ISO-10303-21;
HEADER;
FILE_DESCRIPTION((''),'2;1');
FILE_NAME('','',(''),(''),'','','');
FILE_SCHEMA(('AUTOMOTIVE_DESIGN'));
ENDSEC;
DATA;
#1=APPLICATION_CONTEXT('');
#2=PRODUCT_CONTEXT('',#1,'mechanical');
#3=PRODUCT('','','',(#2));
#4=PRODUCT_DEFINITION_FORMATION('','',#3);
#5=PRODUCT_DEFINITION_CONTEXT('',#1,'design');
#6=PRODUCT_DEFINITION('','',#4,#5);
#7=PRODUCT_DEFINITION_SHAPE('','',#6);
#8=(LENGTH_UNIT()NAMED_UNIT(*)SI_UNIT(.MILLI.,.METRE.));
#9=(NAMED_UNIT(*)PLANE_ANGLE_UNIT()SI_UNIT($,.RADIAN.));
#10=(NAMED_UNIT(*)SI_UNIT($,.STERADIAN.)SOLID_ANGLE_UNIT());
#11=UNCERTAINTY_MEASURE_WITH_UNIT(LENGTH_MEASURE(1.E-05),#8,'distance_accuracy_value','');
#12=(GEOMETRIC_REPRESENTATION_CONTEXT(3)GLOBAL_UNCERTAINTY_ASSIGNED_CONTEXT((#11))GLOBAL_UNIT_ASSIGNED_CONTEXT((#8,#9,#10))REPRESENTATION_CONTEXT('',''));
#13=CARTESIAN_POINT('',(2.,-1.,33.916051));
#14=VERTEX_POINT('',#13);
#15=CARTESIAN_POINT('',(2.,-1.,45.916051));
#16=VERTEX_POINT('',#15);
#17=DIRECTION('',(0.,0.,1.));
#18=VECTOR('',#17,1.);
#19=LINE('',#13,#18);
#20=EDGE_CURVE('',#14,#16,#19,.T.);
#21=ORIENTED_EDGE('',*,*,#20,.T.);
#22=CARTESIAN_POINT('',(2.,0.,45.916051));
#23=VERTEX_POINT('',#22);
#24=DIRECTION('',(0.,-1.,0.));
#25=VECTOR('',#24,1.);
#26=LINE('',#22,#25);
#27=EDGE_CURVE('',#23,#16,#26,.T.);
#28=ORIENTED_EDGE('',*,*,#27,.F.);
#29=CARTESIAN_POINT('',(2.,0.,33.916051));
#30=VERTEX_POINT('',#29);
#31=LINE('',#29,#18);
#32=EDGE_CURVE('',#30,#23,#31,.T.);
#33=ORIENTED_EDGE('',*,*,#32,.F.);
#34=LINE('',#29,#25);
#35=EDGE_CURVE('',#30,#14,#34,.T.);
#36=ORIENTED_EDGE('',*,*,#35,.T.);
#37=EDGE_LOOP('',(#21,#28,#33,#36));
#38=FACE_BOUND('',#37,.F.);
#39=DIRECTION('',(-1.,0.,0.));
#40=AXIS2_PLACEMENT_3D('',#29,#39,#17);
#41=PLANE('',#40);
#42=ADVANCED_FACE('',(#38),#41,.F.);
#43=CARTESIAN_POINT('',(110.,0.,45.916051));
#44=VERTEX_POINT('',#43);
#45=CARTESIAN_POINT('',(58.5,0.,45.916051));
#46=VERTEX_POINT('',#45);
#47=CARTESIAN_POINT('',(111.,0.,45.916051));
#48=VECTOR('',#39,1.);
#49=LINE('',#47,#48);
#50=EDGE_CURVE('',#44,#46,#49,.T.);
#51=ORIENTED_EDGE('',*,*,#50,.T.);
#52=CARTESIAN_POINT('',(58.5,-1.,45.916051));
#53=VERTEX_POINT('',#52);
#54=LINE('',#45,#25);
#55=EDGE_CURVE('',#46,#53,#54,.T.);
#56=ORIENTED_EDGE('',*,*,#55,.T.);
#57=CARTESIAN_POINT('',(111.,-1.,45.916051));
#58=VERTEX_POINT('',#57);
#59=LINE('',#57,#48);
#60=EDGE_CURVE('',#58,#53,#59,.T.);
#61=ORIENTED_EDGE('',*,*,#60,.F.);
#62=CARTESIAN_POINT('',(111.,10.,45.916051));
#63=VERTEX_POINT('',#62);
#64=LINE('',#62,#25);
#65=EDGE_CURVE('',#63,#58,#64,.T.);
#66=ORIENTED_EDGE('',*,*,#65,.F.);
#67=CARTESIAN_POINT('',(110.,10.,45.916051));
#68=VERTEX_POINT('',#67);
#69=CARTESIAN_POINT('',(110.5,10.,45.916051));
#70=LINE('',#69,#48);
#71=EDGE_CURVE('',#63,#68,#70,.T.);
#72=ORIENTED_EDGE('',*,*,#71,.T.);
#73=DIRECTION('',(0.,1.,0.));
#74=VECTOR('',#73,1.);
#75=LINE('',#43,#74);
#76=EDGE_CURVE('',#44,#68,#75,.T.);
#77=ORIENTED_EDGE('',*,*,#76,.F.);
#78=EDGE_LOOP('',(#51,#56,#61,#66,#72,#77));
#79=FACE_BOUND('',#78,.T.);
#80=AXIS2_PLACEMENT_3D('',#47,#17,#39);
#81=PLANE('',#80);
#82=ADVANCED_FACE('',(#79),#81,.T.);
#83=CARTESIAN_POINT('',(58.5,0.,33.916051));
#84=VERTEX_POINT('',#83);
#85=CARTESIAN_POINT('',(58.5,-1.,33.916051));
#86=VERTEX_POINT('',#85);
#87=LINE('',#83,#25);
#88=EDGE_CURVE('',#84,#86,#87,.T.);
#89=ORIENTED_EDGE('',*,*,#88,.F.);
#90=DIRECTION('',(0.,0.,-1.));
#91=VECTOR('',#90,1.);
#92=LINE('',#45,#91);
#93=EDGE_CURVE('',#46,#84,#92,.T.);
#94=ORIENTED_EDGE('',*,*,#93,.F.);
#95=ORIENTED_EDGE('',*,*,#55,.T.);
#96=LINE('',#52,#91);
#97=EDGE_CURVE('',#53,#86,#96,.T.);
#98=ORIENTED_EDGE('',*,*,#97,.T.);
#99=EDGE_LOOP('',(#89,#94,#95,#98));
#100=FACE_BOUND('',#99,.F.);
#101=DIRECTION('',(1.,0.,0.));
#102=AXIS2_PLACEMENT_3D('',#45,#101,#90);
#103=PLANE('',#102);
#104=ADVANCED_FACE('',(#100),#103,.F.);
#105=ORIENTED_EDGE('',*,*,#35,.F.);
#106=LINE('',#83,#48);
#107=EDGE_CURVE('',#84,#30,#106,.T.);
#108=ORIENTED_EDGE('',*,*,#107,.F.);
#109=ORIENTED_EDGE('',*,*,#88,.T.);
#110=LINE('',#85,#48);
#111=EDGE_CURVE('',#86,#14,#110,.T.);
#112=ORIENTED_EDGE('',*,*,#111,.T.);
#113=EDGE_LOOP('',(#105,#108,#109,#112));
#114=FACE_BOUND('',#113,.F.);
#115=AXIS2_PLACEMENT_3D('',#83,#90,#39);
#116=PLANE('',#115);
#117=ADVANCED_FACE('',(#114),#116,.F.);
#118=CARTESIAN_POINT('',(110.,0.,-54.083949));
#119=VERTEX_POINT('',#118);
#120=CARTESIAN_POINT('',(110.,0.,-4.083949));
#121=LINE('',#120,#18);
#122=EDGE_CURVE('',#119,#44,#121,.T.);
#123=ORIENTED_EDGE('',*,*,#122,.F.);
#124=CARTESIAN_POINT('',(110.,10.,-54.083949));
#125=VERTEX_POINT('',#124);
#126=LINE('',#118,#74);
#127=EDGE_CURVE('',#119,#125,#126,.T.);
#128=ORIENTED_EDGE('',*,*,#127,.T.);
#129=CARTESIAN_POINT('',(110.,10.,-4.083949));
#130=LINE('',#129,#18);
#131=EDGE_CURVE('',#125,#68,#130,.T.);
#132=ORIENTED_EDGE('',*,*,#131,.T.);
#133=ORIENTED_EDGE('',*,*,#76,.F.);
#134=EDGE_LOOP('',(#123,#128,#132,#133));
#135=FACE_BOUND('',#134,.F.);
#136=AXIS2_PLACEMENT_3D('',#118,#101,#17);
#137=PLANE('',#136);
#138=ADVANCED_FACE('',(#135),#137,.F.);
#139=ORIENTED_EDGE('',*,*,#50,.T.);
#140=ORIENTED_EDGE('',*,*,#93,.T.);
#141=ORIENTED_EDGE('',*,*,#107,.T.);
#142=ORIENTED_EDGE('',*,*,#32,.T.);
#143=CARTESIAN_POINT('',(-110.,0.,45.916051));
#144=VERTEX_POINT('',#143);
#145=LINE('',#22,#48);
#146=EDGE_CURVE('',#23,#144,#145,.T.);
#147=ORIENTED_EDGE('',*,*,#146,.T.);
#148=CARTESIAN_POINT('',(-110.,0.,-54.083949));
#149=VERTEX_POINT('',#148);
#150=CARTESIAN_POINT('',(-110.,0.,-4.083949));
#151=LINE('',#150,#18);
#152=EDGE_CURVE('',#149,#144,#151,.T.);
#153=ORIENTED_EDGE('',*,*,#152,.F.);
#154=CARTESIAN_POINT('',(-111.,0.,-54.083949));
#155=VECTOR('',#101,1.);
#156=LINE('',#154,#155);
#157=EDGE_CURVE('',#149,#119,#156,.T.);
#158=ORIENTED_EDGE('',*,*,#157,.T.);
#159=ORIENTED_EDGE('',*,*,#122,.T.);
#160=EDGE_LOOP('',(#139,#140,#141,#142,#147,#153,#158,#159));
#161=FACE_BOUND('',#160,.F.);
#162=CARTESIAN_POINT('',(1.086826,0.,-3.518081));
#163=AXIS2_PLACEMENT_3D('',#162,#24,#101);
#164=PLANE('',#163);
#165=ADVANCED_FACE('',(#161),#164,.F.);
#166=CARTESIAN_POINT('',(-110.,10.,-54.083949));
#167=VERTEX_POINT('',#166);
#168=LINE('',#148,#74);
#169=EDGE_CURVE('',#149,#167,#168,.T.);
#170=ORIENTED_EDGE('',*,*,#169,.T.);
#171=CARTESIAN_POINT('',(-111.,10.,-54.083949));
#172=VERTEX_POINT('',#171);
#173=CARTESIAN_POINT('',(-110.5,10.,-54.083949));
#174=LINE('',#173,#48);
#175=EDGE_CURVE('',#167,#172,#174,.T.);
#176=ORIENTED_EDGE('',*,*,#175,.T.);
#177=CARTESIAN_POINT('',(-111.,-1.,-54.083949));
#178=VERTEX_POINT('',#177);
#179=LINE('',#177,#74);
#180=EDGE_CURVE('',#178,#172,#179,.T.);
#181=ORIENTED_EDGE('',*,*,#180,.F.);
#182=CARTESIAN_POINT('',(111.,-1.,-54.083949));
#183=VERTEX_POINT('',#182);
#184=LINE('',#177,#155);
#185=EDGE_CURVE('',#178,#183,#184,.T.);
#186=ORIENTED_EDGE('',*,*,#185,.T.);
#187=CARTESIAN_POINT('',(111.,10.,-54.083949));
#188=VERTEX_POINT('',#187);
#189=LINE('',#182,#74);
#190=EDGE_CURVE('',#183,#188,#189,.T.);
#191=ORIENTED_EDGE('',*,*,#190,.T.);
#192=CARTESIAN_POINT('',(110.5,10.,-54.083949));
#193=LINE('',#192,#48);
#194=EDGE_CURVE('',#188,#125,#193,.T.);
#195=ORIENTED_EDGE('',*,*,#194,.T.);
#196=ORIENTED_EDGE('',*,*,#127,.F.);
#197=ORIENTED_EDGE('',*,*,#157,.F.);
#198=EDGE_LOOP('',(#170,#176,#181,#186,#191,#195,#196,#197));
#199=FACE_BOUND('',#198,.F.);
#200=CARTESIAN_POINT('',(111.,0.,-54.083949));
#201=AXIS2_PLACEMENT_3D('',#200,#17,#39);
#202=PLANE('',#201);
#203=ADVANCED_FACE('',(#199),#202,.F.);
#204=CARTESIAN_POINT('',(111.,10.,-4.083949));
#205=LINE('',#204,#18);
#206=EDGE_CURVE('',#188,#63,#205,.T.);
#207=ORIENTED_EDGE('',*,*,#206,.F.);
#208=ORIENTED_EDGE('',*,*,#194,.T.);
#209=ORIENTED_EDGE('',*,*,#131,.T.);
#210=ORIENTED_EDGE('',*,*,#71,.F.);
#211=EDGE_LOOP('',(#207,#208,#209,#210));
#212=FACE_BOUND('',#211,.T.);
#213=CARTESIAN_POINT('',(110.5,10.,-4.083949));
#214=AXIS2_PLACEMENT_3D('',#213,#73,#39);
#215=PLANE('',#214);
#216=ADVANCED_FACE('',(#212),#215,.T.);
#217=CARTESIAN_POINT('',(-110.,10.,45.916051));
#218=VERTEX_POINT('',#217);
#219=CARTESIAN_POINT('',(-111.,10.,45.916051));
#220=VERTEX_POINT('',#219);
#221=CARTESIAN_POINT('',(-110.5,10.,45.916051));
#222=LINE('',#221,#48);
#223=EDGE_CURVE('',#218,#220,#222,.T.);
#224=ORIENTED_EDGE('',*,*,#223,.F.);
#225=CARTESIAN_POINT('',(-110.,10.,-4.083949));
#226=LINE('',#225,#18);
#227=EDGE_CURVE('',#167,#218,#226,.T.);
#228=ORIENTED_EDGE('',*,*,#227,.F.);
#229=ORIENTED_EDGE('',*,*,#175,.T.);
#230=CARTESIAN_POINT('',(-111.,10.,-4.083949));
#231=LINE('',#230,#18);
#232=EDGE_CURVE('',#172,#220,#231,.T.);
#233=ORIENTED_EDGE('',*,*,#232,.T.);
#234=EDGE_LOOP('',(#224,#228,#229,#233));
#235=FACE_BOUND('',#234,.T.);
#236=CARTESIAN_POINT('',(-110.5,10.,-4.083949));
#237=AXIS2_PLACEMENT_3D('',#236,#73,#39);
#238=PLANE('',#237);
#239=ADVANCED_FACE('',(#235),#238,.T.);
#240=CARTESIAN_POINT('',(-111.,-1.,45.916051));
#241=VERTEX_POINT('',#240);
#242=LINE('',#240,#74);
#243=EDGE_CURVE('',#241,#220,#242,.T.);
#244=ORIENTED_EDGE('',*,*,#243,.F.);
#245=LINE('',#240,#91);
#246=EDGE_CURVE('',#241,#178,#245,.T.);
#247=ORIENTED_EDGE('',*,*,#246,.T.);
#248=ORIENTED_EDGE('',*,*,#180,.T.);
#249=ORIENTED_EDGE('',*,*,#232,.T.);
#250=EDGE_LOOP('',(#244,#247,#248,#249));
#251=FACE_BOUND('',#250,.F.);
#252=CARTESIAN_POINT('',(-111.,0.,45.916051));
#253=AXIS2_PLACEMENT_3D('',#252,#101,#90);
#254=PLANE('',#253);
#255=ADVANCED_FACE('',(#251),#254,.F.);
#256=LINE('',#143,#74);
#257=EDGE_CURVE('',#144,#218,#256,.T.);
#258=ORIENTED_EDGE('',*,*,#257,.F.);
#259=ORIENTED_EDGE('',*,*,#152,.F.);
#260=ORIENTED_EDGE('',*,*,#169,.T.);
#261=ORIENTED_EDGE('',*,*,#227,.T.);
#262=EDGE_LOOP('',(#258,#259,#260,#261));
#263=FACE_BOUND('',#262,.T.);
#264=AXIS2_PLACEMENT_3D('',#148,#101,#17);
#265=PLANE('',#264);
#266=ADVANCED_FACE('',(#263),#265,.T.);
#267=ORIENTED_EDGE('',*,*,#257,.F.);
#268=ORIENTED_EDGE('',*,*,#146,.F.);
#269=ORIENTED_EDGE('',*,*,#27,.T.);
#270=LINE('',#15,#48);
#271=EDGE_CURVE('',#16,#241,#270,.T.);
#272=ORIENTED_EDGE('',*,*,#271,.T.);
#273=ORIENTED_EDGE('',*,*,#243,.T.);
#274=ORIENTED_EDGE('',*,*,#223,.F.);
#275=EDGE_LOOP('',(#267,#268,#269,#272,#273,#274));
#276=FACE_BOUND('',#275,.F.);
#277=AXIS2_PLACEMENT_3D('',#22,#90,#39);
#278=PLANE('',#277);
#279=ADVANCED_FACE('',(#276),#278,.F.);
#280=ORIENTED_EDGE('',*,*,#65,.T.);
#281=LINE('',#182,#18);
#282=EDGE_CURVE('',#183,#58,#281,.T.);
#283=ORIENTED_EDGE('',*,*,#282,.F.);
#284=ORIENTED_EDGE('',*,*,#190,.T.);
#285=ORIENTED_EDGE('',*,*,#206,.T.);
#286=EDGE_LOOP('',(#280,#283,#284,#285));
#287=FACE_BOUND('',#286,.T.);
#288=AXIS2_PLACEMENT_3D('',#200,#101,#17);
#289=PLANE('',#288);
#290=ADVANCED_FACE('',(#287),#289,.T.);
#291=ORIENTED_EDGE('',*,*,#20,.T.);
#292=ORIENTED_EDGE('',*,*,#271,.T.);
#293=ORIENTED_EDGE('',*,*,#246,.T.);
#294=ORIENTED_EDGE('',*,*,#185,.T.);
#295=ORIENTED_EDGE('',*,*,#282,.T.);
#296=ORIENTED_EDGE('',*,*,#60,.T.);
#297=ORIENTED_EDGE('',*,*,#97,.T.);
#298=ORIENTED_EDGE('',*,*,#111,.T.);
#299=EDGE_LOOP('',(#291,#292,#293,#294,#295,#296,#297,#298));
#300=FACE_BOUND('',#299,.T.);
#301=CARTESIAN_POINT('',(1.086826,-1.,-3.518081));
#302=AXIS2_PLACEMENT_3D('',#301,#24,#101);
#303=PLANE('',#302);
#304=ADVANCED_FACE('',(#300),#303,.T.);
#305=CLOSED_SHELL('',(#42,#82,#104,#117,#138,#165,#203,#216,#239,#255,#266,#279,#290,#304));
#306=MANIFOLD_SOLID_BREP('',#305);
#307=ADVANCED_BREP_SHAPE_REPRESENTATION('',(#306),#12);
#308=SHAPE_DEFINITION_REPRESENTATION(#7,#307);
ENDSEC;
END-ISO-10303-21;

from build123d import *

# Parameters (mm, degrees)
F1_DEPTH = 1
F2_W     = 1
F2_H     = 100
F3_DEPTH = 10


with BuildPart() as f1:
    # F0 (on Front) → F1 (new body)
    with BuildSketch(Plane.XZ):
        Polygon((111, -54.083949), (111, 45.916051), (58.5, 45.916051), (58.5, 33.916051), (2, 33.916051), (2, 45.916051), (-111, 45.916051), (-111, -54.083949), align=None)
    extrude(amount=F1_DEPTH)

    # F2 (on face) → F3 (join)
    with BuildSketch(Plane(origin=(0, 0, 0), x_dir=(-1, 0, 0), z_dir=(0, 1, 0))):
        with Locations((-110.5, -4.083949)):
            Rectangle(F2_W, F2_H)
        with Locations((110.5, -4.083949)):
            Rectangle(F2_W, F2_H)
    extrude(amount=F3_DEPTH)


solid = f1.part
